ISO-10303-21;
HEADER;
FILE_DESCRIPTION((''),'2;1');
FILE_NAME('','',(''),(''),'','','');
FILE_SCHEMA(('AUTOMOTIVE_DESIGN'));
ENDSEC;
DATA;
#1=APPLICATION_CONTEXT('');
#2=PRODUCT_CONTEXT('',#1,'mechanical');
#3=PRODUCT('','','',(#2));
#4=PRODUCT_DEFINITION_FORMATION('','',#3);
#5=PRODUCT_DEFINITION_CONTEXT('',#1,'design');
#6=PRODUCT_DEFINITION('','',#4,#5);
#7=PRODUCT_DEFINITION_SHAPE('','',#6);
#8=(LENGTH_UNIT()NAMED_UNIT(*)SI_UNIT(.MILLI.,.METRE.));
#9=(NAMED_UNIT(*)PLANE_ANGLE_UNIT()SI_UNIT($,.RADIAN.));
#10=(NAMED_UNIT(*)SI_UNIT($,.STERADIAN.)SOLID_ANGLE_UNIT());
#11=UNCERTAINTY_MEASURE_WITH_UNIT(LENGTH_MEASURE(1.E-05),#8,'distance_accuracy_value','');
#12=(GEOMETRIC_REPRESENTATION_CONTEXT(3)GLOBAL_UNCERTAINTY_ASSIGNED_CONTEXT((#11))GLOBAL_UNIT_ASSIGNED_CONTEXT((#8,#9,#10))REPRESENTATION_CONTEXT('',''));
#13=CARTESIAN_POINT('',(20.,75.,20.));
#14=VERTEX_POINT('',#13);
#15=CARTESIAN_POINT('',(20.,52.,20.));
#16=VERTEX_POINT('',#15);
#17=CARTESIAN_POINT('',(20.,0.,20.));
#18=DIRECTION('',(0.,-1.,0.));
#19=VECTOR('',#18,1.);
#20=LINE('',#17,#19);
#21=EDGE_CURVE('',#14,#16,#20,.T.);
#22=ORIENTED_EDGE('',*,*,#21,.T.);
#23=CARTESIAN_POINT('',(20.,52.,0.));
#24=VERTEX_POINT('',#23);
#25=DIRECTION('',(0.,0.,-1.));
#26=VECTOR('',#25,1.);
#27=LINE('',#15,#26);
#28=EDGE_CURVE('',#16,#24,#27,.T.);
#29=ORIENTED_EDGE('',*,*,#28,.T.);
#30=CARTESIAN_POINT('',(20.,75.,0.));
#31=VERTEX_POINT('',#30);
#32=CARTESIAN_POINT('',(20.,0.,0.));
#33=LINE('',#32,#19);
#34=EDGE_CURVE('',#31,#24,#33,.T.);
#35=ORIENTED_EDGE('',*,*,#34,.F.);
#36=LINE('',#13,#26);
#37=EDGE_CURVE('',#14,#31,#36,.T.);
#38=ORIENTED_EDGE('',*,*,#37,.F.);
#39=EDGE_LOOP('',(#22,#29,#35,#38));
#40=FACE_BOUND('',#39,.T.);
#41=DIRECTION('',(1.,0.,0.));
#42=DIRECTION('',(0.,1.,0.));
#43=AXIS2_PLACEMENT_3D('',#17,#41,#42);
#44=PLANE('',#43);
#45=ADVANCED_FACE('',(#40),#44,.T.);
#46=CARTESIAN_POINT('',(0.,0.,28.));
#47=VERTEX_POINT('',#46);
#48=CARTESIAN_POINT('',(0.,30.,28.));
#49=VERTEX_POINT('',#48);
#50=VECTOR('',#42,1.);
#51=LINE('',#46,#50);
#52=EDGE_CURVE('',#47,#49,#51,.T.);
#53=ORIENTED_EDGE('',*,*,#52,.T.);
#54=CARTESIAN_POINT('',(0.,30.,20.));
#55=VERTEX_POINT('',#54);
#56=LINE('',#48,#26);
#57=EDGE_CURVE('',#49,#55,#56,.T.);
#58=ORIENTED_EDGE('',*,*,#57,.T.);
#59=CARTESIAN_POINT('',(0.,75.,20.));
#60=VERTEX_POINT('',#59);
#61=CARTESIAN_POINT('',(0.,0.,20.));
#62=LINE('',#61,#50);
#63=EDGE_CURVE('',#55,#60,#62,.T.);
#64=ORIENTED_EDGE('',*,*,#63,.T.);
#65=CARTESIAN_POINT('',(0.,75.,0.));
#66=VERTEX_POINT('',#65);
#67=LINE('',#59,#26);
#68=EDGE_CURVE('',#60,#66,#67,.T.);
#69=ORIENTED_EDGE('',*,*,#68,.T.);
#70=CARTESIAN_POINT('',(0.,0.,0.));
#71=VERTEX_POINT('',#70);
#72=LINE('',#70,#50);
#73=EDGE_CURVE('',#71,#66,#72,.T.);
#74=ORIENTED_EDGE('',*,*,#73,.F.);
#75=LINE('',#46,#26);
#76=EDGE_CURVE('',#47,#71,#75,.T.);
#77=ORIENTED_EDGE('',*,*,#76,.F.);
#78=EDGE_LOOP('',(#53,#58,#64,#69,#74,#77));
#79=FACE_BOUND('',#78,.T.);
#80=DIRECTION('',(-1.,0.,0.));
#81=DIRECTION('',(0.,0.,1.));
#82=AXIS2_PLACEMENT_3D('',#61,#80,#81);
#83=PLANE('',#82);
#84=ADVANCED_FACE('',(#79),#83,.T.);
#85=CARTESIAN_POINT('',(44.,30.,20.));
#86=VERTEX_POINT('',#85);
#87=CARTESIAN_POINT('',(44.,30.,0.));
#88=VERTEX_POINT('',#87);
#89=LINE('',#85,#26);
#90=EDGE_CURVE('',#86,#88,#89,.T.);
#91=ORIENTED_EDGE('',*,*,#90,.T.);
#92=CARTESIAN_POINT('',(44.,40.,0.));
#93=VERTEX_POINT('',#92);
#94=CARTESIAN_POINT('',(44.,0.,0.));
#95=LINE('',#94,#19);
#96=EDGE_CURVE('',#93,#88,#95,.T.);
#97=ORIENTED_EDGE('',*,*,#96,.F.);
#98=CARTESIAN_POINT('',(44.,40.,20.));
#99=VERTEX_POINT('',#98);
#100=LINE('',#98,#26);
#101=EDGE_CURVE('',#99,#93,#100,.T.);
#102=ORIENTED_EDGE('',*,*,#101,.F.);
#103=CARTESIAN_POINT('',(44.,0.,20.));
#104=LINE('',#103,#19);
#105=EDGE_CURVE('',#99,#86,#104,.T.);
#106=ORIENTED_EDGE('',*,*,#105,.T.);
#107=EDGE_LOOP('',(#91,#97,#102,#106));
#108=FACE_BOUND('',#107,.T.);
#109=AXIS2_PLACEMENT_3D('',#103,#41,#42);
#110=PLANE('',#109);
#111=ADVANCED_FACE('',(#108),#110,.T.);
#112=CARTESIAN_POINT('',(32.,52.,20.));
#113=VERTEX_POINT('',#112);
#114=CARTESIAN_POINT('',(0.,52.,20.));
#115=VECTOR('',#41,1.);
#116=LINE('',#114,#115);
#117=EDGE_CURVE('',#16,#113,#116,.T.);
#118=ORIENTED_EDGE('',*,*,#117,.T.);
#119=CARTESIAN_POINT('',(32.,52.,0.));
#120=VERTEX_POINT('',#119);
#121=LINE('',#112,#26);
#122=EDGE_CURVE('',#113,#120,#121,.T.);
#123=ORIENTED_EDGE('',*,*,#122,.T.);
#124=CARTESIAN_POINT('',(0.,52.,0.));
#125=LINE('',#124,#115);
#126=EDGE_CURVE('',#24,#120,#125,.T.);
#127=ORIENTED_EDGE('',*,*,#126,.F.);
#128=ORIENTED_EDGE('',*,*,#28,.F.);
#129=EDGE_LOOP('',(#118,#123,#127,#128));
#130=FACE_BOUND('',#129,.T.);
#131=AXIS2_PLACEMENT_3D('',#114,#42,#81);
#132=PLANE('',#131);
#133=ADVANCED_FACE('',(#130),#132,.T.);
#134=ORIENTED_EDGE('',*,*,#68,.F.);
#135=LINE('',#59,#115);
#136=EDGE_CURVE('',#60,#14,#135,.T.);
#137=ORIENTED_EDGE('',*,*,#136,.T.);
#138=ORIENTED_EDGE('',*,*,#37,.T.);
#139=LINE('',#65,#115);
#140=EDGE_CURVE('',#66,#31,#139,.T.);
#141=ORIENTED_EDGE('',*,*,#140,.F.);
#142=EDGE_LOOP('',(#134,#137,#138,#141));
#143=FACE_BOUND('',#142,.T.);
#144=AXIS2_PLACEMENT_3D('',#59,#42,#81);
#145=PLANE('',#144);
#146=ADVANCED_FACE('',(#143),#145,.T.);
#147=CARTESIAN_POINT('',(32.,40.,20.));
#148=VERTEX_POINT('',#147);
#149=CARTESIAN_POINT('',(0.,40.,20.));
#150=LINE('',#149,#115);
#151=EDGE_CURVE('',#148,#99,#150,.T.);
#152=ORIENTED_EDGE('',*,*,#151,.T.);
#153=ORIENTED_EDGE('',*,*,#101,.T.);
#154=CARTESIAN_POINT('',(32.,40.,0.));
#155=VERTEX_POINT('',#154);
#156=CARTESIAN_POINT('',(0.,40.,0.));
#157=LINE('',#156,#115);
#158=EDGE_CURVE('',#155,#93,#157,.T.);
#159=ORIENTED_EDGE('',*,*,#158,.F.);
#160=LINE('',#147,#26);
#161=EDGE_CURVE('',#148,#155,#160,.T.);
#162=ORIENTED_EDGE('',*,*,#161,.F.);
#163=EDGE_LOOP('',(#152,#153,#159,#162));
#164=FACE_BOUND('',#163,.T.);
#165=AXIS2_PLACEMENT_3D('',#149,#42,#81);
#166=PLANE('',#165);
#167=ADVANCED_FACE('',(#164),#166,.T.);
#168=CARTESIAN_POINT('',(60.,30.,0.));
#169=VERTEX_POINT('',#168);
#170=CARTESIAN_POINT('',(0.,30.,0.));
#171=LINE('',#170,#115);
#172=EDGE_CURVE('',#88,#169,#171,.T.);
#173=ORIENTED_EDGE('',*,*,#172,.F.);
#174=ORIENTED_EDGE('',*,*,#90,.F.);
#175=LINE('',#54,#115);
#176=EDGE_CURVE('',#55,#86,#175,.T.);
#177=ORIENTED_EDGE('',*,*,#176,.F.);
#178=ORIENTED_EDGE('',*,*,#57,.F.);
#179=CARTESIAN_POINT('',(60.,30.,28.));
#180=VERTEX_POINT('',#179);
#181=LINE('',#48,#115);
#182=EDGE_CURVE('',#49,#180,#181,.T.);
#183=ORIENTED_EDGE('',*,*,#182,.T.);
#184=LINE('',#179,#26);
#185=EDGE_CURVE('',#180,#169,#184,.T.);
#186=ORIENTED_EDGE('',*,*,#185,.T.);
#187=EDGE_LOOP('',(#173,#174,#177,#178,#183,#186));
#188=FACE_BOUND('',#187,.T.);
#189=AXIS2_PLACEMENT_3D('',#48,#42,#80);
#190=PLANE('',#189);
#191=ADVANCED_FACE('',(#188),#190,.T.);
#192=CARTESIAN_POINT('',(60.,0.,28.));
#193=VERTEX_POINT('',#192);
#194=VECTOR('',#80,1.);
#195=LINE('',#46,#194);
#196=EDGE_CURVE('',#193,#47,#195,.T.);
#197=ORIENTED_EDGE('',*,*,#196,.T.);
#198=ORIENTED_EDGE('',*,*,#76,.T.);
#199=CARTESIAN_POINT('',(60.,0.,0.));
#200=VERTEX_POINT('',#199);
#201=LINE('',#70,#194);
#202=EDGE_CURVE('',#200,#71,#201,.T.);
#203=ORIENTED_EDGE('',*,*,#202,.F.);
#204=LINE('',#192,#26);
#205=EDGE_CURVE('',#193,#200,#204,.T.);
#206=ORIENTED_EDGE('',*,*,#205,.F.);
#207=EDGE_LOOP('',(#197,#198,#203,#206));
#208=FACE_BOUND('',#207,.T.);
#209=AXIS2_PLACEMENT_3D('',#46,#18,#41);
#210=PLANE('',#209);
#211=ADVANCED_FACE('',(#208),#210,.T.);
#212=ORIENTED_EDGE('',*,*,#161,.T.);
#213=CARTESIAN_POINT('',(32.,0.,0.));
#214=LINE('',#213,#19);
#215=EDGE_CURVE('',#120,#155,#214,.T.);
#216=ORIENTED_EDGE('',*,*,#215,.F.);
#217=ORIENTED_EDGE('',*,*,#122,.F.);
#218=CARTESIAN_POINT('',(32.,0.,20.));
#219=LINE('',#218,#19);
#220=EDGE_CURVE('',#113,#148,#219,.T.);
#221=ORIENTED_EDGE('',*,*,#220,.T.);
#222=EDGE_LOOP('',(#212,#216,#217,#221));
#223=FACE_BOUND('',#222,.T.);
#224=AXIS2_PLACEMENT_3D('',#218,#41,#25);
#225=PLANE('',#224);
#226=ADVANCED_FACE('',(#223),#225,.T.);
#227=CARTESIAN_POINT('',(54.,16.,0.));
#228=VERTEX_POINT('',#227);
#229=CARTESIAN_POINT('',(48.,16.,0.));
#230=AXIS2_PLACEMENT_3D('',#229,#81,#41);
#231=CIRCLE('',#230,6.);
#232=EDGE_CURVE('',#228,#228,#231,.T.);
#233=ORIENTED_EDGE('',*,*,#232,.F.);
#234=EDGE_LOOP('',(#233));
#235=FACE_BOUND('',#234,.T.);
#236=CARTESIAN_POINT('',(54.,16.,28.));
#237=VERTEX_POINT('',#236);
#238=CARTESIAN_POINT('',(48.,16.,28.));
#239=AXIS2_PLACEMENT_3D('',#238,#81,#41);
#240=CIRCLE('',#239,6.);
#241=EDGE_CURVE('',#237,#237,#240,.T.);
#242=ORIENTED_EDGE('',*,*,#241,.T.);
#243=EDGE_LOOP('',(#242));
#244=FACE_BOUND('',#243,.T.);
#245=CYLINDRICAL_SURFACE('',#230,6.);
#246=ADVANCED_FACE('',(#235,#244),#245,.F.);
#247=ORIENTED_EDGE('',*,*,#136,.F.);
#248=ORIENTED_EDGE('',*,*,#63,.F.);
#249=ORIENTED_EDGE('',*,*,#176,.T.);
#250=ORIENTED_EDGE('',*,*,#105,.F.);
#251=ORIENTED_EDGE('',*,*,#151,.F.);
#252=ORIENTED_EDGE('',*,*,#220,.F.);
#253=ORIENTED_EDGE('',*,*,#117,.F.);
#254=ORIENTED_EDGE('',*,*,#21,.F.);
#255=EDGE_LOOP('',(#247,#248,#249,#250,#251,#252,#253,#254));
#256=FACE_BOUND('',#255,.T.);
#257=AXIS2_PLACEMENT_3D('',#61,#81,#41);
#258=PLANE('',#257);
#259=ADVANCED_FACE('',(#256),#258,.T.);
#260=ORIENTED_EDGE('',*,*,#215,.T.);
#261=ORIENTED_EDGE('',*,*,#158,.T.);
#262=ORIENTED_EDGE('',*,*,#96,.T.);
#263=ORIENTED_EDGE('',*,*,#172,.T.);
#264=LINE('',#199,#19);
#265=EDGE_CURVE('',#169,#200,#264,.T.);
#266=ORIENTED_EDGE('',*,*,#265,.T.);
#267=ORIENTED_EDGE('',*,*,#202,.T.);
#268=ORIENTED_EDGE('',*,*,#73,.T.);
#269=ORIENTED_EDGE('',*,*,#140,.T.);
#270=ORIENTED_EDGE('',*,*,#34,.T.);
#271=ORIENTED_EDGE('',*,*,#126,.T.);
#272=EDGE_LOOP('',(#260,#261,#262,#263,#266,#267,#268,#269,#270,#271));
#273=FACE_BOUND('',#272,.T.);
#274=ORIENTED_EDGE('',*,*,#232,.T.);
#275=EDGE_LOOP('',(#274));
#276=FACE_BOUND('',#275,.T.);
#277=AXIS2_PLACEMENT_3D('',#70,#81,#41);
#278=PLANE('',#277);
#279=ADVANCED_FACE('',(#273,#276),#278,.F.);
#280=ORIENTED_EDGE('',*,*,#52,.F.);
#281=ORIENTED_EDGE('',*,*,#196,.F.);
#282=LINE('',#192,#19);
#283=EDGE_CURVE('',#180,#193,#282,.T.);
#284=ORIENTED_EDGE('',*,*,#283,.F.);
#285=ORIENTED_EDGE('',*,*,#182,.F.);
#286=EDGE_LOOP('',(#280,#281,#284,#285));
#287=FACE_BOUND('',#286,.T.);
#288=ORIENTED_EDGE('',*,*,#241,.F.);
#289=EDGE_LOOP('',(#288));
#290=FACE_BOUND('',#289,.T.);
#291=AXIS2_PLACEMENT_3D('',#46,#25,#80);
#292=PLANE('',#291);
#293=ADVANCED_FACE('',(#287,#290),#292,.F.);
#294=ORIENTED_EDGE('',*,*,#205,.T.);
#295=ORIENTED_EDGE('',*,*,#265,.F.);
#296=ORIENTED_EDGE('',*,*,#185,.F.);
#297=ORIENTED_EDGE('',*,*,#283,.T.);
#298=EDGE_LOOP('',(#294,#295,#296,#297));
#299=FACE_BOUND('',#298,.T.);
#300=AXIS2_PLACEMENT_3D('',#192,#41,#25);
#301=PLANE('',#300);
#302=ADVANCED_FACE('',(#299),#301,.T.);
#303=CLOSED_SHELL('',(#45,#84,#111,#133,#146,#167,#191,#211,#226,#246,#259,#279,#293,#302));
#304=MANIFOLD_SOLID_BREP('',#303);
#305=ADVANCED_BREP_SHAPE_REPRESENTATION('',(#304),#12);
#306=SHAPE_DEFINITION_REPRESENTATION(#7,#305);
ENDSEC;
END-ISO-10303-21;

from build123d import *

# Parameters (mm, degrees)
BOSS_EXTRUDE1_DEPTH = 20
SKETCH2_W           = 60
SKETCH2_H           = 30
BOSS_EXTRUDE2_DEPTH = 28
SKETCH3_R           = 6
CUT_EXTRUDE1_DEPTH  = 28


with BuildPart() as part:
    # Sketch1 → Boss-Extrude1 (new body)
    with BuildSketch(Plane.XY):
        Polygon((0, 75), (0, 30), (44, 30), (44, 40), (32, 40), (32, 52), (20, 52), (20, 75), align=None)
    extrude(amount=BOSS_EXTRUDE1_DEPTH)

    # Sketch2 → Boss-Extrude2 (add)
    with BuildSketch(Plane(origin=(0, 0, 0), x_dir=(-1, 0, 0), z_dir=(0, 0, -1))):
        with Locations((-30, 15)):
            Rectangle(SKETCH2_W, SKETCH2_H)
    extrude(amount=-BOSS_EXTRUDE2_DEPTH)

    # Sketch3 → Cut-Extrude1 (cut)
    with BuildSketch(Plane.XY.offset(28)):
        with Locations((48, 16)):
            Circle(SKETCH3_R)
    extrude(amount=-CUT_EXTRUDE1_DEPTH, mode=Mode.SUBTRACT)


solid = part.part
